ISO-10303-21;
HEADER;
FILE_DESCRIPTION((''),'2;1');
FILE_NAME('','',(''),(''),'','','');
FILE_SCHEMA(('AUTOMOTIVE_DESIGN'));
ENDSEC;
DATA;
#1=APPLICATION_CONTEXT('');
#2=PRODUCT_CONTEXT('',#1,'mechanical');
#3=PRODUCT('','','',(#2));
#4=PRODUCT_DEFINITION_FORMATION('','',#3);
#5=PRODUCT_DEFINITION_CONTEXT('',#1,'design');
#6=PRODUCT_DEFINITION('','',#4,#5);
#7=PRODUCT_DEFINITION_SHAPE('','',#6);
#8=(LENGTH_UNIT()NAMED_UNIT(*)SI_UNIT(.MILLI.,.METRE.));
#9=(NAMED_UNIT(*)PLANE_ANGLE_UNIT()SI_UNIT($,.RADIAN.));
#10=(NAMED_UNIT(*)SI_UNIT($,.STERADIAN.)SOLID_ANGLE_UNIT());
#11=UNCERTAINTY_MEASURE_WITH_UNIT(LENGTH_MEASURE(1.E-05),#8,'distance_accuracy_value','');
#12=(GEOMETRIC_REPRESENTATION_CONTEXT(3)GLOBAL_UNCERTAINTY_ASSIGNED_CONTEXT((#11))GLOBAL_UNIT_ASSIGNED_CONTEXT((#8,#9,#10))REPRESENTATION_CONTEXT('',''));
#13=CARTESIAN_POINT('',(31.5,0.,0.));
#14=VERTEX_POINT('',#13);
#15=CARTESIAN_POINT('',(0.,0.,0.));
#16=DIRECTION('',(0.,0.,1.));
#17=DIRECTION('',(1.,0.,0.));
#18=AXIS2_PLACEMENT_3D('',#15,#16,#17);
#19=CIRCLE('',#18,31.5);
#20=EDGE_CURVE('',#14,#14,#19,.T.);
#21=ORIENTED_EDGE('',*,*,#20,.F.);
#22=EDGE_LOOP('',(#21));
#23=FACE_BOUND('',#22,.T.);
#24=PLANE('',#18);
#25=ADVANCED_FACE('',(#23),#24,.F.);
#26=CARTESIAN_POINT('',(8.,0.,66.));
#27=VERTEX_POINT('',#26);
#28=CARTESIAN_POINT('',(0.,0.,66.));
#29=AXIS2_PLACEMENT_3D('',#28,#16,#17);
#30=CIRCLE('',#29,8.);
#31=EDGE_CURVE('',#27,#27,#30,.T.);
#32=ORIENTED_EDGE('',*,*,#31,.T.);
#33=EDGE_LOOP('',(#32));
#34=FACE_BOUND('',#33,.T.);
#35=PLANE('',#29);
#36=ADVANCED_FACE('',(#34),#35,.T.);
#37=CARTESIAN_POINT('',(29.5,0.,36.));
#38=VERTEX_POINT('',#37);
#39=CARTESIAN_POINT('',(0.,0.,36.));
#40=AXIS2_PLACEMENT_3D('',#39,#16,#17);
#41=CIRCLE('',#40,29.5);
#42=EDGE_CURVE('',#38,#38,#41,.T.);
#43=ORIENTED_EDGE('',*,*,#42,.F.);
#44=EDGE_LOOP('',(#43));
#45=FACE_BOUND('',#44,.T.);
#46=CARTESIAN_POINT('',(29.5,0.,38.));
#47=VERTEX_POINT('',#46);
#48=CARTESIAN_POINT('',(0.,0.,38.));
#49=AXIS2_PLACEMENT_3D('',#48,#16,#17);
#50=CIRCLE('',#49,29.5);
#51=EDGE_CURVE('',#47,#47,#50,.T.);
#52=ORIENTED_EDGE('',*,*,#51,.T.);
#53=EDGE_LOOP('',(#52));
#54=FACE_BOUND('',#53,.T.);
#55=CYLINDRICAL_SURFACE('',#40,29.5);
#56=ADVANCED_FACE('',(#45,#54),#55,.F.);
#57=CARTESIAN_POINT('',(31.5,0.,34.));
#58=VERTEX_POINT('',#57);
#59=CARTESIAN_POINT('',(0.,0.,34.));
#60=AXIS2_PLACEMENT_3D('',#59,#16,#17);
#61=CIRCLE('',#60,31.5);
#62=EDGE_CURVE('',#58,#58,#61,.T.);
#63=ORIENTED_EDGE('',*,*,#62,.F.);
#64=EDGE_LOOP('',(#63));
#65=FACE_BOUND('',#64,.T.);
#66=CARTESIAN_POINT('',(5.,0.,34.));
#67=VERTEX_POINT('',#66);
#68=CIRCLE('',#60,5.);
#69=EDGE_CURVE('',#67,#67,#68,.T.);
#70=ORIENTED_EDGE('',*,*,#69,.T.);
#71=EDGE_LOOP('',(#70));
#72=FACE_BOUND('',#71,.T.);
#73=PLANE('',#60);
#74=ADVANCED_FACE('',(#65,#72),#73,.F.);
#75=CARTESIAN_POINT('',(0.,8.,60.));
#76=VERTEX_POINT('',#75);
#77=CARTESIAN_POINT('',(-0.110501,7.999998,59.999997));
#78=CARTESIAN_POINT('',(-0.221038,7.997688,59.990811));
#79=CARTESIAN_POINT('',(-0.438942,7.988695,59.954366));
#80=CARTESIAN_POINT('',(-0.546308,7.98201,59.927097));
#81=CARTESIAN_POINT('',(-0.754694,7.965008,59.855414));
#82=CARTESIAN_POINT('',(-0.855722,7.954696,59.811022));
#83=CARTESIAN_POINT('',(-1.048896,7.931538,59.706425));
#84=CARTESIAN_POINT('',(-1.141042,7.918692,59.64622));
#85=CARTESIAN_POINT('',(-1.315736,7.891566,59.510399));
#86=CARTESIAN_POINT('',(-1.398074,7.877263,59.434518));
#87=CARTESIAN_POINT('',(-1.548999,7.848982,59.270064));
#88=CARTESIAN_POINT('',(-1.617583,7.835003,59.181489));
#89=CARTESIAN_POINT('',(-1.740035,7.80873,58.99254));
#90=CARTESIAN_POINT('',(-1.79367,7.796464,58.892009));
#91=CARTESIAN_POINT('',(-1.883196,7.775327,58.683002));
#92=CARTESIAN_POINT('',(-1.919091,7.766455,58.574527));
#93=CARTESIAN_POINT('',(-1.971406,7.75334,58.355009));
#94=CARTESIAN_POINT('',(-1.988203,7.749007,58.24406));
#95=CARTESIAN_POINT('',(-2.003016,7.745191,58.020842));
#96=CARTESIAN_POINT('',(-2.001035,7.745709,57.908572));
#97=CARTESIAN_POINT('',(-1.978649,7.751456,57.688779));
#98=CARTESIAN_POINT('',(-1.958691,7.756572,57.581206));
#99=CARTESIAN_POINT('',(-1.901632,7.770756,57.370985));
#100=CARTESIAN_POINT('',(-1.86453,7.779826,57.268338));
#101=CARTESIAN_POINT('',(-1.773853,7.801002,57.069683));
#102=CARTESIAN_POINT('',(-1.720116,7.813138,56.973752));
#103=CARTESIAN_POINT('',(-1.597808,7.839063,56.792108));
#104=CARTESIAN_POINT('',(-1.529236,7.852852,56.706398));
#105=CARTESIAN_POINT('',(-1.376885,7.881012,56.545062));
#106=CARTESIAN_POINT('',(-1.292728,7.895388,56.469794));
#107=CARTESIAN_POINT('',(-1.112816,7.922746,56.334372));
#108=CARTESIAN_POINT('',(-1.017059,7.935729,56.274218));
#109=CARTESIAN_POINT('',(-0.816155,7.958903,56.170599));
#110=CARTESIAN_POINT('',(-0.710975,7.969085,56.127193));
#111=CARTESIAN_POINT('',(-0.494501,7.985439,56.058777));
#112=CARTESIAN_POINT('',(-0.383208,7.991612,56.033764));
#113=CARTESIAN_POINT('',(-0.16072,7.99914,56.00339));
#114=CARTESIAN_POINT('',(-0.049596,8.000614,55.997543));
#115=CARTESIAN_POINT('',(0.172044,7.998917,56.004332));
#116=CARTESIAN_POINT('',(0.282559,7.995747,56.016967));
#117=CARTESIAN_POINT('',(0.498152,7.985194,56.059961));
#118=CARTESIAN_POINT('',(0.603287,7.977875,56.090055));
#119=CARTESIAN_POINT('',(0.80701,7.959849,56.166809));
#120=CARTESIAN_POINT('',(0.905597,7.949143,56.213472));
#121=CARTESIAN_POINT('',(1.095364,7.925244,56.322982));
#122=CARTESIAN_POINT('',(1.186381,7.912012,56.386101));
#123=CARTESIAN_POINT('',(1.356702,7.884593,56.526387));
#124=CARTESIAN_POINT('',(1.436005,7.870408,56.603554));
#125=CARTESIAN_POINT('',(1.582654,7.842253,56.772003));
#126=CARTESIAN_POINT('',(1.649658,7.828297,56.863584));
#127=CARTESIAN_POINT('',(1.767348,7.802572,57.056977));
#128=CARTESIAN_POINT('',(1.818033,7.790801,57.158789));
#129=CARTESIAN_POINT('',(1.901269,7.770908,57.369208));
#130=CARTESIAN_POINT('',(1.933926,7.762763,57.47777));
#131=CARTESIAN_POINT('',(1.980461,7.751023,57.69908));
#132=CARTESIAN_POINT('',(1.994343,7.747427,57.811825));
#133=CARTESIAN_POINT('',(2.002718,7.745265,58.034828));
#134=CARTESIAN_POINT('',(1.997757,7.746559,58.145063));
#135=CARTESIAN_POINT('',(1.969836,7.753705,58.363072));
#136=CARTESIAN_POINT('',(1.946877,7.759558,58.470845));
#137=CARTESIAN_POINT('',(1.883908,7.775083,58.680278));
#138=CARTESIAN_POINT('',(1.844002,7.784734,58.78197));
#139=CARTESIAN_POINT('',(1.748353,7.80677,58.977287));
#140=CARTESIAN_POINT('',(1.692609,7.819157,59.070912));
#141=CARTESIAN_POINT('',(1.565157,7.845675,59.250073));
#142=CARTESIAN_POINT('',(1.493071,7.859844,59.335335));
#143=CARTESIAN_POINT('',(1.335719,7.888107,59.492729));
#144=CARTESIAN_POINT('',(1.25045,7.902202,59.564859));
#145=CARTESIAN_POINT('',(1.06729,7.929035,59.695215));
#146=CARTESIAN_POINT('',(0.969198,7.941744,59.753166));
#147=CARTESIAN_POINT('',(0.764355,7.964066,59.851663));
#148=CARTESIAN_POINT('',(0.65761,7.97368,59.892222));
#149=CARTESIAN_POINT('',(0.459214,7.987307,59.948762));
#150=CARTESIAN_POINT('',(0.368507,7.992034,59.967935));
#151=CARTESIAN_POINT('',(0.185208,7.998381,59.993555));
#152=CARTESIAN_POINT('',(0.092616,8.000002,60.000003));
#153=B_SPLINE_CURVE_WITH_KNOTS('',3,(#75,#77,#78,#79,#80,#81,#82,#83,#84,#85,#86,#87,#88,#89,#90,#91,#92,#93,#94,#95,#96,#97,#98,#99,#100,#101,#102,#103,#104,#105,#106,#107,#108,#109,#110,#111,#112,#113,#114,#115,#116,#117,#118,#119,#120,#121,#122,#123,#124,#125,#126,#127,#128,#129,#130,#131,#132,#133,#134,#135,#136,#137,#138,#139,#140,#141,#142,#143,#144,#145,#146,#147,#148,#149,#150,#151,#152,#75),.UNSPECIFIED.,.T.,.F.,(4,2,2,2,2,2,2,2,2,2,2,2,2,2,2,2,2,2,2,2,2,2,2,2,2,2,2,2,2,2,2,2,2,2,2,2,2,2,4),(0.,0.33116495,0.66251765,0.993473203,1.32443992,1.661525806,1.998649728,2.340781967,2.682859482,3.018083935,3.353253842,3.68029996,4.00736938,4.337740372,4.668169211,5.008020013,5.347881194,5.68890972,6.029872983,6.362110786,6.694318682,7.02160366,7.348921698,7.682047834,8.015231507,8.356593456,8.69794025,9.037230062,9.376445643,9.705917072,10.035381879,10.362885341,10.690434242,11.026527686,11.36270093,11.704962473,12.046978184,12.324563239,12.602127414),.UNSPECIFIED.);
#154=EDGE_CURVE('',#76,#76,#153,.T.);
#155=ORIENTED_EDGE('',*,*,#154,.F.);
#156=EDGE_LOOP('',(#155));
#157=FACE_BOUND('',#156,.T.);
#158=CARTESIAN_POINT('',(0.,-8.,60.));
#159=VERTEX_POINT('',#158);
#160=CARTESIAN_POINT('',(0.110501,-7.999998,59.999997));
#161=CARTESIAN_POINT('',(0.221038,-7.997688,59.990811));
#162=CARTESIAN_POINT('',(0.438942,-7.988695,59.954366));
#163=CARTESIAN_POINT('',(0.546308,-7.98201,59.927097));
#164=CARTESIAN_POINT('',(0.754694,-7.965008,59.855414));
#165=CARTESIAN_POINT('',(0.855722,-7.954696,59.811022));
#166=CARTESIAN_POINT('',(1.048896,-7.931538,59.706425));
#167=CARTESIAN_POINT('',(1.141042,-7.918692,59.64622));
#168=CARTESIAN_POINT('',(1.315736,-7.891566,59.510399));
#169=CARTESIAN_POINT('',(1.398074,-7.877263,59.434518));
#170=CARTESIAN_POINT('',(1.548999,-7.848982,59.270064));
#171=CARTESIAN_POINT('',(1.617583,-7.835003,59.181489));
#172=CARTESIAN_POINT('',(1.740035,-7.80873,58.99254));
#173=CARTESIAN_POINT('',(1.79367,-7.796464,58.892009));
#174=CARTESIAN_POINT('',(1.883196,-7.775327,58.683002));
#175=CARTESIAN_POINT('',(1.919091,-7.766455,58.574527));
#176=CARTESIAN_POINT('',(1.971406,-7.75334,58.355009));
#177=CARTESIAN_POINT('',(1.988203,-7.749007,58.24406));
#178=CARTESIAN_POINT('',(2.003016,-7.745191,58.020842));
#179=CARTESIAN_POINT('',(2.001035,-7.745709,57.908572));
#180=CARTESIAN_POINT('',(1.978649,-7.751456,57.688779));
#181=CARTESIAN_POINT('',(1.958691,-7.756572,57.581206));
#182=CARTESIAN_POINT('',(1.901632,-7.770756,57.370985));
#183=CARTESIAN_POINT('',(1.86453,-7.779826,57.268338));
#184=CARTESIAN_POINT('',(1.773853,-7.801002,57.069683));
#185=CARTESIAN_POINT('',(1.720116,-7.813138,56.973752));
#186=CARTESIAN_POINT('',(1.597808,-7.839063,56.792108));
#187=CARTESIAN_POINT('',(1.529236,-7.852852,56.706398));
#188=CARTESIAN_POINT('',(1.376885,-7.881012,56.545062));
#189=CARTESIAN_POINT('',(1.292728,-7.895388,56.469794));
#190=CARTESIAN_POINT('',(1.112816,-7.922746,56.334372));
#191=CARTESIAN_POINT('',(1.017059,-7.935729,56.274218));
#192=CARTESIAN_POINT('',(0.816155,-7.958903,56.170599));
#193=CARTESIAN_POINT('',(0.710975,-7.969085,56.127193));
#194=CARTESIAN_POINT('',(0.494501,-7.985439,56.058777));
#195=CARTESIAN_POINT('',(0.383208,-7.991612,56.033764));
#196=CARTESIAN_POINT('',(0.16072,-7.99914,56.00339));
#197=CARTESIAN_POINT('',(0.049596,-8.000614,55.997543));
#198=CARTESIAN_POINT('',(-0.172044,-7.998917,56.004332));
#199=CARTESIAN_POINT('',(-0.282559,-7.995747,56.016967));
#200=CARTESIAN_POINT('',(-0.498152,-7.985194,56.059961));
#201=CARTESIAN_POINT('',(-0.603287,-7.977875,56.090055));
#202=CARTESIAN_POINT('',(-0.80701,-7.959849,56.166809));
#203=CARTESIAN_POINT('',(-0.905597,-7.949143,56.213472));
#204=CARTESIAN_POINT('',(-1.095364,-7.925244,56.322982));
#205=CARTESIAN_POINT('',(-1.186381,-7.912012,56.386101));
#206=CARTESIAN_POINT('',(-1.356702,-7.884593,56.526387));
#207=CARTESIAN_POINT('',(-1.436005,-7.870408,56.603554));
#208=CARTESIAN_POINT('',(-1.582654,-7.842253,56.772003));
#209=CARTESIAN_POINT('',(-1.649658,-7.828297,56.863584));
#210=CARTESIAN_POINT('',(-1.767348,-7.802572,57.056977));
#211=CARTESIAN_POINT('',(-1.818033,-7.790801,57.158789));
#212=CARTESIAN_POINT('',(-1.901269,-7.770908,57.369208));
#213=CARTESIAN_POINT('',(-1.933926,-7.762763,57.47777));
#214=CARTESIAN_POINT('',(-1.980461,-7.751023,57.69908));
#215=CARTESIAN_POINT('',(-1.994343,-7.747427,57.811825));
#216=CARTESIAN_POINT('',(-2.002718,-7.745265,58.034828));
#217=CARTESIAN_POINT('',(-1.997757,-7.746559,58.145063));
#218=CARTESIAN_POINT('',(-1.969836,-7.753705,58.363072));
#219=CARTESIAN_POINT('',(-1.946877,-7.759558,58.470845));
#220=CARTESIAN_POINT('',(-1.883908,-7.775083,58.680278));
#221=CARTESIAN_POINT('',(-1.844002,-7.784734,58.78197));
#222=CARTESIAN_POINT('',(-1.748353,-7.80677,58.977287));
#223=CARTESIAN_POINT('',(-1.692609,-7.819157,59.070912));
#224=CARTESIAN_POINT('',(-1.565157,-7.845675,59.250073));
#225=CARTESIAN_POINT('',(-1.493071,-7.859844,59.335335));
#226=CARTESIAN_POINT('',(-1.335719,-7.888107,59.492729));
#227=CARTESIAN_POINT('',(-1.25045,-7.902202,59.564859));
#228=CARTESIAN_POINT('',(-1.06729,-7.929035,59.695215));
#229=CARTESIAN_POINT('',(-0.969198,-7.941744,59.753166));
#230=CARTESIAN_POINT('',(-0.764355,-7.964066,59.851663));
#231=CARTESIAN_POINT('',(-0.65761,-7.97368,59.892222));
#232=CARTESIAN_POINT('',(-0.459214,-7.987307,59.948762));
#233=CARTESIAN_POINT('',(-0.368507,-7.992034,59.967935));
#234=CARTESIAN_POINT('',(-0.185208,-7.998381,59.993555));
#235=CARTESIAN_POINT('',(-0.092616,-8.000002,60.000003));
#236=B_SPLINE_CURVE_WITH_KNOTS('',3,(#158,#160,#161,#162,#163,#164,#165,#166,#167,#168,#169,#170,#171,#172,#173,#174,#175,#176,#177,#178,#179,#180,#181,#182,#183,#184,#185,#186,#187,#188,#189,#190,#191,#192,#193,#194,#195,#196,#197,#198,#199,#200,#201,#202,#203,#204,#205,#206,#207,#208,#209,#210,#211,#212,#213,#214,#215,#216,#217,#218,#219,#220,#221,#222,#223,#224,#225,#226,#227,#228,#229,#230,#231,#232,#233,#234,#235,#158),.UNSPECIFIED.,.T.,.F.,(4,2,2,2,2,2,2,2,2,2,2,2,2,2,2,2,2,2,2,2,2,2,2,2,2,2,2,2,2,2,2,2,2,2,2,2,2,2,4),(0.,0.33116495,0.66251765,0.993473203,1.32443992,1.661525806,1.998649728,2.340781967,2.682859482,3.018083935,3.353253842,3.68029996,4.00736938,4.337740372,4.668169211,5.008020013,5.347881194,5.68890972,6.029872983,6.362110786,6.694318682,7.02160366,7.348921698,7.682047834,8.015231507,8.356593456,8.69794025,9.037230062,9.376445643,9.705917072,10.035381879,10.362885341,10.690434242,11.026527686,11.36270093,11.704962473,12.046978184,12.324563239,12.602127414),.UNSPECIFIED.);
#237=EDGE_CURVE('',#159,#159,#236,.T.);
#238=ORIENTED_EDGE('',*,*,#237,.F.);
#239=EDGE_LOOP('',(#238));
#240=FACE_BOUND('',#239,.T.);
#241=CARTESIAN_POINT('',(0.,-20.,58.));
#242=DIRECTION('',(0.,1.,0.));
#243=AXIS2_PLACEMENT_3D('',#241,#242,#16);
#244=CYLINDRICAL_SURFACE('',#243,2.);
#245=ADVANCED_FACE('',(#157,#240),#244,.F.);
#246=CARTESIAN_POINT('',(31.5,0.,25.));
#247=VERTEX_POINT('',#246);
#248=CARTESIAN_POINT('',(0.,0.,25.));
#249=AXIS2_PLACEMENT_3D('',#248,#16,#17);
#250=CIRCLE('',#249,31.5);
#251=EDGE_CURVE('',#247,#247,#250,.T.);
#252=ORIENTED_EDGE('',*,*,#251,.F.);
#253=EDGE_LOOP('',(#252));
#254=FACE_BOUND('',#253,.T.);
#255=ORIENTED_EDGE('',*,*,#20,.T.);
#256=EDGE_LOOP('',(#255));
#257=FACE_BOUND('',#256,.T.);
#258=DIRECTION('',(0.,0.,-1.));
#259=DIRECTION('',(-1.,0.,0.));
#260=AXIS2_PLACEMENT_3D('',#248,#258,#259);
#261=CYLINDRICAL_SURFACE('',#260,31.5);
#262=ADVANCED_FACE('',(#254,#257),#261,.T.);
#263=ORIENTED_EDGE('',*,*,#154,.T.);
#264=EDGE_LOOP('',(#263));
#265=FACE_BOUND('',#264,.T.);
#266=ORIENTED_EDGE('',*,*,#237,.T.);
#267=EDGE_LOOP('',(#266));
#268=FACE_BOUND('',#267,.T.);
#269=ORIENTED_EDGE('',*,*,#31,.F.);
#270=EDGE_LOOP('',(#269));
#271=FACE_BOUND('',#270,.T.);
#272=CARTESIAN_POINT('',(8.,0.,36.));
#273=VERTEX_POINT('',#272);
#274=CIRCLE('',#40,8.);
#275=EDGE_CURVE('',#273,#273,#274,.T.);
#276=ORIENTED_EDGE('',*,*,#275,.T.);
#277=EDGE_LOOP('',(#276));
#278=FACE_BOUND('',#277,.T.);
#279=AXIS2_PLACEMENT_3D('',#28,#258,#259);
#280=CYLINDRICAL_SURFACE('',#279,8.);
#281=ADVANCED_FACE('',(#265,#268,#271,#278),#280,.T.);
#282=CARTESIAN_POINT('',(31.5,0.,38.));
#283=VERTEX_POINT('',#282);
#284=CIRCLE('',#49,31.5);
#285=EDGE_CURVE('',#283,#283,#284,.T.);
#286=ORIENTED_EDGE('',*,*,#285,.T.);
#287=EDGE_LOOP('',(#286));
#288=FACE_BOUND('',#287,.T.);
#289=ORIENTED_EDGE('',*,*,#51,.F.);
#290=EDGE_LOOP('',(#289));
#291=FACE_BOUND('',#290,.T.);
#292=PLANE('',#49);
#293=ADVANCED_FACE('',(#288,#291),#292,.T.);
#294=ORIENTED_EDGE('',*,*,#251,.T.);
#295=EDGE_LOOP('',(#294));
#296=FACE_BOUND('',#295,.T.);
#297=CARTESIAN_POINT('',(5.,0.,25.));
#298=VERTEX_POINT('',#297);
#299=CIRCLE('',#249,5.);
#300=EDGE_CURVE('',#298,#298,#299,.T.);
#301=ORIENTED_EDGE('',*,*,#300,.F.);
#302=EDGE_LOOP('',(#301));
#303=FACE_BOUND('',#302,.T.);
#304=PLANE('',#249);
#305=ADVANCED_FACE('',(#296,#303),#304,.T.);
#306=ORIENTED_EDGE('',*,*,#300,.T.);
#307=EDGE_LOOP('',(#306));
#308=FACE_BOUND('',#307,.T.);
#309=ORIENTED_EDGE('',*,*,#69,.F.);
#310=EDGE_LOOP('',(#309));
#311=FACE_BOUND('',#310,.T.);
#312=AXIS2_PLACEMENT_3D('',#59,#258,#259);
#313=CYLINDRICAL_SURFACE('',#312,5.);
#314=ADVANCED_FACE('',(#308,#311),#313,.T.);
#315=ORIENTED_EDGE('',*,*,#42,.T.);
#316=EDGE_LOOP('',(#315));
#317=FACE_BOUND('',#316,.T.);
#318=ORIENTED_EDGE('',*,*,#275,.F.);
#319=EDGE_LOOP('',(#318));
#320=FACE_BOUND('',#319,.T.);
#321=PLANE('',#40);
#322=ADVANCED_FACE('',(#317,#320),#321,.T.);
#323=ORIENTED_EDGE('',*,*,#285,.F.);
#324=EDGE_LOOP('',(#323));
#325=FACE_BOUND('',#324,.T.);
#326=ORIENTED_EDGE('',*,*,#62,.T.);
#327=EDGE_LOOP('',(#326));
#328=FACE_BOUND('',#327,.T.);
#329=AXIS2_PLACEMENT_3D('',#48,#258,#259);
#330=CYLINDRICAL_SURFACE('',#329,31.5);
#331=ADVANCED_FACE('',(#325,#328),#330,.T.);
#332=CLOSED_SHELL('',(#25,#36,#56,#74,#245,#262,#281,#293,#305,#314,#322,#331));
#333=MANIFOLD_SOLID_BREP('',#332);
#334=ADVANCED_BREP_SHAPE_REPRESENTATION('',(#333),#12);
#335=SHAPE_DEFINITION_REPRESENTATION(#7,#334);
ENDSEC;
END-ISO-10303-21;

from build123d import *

# Parameters (mm, degrees)
SKETCH_1_R          = 31.5
EXTRUDE_1_DEPTH     = 25
SKETCH_2_R          = 5
EXTRUDE_2_DEPTH     = 9
SKETCH_3_R          = 31.5
EXTRUDE_3_DEPTH     = 4
SKETCH_4_R          = 29.5
CUT_EXTRUDE_1_DEPTH = 2
SKETCH_5_R          = 8
EXTRUDE_4_DEPTH     = 30
SKETCH_6_R          = 2
CUT_EXTRUDE_2_DEPTH = 20


with BuildPart() as part:
    # 草图1 → 凸台-拉伸1 (new body)
    with BuildSketch(Plane.XY):
        Circle(SKETCH_1_R)
    extrude(amount=EXTRUDE_1_DEPTH)

    # 草图2 → 凸台-拉伸2 (add)
    with BuildSketch(Plane.XY.offset(25)):
        Circle(SKETCH_2_R)
    extrude(amount=EXTRUDE_2_DEPTH)

    # 草图3 → 凸台-拉伸3 (add)
    with BuildSketch(Plane.XY.offset(34)):
        Circle(SKETCH_3_R)
    extrude(amount=EXTRUDE_3_DEPTH)

    # 草图4 → 切除-拉伸1 (cut)
    with BuildSketch(Plane.XY.offset(38)):
        Circle(SKETCH_4_R)
    extrude(amount=-CUT_EXTRUDE_1_DEPTH, mode=Mode.SUBTRACT)

    # 草图5 → 凸台-拉伸4 (add)
    with BuildSketch(Plane.XY.offset(36)):
        Circle(SKETCH_5_R)
    extrude(amount=EXTRUDE_4_DEPTH)

    # 草图6 → 切除-拉伸2 (cut, symmetric)
    with BuildSketch(Plane(origin=(0, 0, 0), x_dir=(1, 0, 0), z_dir=(0, 1, 0))):
        with Locations(Location((0, -58, 0), (0, 0, 270))):
            Circle(SKETCH_6_R)
    extrude(amount=CUT_EXTRUDE_2_DEPTH, both=True, mode=Mode.SUBTRACT)


solid = part.part
